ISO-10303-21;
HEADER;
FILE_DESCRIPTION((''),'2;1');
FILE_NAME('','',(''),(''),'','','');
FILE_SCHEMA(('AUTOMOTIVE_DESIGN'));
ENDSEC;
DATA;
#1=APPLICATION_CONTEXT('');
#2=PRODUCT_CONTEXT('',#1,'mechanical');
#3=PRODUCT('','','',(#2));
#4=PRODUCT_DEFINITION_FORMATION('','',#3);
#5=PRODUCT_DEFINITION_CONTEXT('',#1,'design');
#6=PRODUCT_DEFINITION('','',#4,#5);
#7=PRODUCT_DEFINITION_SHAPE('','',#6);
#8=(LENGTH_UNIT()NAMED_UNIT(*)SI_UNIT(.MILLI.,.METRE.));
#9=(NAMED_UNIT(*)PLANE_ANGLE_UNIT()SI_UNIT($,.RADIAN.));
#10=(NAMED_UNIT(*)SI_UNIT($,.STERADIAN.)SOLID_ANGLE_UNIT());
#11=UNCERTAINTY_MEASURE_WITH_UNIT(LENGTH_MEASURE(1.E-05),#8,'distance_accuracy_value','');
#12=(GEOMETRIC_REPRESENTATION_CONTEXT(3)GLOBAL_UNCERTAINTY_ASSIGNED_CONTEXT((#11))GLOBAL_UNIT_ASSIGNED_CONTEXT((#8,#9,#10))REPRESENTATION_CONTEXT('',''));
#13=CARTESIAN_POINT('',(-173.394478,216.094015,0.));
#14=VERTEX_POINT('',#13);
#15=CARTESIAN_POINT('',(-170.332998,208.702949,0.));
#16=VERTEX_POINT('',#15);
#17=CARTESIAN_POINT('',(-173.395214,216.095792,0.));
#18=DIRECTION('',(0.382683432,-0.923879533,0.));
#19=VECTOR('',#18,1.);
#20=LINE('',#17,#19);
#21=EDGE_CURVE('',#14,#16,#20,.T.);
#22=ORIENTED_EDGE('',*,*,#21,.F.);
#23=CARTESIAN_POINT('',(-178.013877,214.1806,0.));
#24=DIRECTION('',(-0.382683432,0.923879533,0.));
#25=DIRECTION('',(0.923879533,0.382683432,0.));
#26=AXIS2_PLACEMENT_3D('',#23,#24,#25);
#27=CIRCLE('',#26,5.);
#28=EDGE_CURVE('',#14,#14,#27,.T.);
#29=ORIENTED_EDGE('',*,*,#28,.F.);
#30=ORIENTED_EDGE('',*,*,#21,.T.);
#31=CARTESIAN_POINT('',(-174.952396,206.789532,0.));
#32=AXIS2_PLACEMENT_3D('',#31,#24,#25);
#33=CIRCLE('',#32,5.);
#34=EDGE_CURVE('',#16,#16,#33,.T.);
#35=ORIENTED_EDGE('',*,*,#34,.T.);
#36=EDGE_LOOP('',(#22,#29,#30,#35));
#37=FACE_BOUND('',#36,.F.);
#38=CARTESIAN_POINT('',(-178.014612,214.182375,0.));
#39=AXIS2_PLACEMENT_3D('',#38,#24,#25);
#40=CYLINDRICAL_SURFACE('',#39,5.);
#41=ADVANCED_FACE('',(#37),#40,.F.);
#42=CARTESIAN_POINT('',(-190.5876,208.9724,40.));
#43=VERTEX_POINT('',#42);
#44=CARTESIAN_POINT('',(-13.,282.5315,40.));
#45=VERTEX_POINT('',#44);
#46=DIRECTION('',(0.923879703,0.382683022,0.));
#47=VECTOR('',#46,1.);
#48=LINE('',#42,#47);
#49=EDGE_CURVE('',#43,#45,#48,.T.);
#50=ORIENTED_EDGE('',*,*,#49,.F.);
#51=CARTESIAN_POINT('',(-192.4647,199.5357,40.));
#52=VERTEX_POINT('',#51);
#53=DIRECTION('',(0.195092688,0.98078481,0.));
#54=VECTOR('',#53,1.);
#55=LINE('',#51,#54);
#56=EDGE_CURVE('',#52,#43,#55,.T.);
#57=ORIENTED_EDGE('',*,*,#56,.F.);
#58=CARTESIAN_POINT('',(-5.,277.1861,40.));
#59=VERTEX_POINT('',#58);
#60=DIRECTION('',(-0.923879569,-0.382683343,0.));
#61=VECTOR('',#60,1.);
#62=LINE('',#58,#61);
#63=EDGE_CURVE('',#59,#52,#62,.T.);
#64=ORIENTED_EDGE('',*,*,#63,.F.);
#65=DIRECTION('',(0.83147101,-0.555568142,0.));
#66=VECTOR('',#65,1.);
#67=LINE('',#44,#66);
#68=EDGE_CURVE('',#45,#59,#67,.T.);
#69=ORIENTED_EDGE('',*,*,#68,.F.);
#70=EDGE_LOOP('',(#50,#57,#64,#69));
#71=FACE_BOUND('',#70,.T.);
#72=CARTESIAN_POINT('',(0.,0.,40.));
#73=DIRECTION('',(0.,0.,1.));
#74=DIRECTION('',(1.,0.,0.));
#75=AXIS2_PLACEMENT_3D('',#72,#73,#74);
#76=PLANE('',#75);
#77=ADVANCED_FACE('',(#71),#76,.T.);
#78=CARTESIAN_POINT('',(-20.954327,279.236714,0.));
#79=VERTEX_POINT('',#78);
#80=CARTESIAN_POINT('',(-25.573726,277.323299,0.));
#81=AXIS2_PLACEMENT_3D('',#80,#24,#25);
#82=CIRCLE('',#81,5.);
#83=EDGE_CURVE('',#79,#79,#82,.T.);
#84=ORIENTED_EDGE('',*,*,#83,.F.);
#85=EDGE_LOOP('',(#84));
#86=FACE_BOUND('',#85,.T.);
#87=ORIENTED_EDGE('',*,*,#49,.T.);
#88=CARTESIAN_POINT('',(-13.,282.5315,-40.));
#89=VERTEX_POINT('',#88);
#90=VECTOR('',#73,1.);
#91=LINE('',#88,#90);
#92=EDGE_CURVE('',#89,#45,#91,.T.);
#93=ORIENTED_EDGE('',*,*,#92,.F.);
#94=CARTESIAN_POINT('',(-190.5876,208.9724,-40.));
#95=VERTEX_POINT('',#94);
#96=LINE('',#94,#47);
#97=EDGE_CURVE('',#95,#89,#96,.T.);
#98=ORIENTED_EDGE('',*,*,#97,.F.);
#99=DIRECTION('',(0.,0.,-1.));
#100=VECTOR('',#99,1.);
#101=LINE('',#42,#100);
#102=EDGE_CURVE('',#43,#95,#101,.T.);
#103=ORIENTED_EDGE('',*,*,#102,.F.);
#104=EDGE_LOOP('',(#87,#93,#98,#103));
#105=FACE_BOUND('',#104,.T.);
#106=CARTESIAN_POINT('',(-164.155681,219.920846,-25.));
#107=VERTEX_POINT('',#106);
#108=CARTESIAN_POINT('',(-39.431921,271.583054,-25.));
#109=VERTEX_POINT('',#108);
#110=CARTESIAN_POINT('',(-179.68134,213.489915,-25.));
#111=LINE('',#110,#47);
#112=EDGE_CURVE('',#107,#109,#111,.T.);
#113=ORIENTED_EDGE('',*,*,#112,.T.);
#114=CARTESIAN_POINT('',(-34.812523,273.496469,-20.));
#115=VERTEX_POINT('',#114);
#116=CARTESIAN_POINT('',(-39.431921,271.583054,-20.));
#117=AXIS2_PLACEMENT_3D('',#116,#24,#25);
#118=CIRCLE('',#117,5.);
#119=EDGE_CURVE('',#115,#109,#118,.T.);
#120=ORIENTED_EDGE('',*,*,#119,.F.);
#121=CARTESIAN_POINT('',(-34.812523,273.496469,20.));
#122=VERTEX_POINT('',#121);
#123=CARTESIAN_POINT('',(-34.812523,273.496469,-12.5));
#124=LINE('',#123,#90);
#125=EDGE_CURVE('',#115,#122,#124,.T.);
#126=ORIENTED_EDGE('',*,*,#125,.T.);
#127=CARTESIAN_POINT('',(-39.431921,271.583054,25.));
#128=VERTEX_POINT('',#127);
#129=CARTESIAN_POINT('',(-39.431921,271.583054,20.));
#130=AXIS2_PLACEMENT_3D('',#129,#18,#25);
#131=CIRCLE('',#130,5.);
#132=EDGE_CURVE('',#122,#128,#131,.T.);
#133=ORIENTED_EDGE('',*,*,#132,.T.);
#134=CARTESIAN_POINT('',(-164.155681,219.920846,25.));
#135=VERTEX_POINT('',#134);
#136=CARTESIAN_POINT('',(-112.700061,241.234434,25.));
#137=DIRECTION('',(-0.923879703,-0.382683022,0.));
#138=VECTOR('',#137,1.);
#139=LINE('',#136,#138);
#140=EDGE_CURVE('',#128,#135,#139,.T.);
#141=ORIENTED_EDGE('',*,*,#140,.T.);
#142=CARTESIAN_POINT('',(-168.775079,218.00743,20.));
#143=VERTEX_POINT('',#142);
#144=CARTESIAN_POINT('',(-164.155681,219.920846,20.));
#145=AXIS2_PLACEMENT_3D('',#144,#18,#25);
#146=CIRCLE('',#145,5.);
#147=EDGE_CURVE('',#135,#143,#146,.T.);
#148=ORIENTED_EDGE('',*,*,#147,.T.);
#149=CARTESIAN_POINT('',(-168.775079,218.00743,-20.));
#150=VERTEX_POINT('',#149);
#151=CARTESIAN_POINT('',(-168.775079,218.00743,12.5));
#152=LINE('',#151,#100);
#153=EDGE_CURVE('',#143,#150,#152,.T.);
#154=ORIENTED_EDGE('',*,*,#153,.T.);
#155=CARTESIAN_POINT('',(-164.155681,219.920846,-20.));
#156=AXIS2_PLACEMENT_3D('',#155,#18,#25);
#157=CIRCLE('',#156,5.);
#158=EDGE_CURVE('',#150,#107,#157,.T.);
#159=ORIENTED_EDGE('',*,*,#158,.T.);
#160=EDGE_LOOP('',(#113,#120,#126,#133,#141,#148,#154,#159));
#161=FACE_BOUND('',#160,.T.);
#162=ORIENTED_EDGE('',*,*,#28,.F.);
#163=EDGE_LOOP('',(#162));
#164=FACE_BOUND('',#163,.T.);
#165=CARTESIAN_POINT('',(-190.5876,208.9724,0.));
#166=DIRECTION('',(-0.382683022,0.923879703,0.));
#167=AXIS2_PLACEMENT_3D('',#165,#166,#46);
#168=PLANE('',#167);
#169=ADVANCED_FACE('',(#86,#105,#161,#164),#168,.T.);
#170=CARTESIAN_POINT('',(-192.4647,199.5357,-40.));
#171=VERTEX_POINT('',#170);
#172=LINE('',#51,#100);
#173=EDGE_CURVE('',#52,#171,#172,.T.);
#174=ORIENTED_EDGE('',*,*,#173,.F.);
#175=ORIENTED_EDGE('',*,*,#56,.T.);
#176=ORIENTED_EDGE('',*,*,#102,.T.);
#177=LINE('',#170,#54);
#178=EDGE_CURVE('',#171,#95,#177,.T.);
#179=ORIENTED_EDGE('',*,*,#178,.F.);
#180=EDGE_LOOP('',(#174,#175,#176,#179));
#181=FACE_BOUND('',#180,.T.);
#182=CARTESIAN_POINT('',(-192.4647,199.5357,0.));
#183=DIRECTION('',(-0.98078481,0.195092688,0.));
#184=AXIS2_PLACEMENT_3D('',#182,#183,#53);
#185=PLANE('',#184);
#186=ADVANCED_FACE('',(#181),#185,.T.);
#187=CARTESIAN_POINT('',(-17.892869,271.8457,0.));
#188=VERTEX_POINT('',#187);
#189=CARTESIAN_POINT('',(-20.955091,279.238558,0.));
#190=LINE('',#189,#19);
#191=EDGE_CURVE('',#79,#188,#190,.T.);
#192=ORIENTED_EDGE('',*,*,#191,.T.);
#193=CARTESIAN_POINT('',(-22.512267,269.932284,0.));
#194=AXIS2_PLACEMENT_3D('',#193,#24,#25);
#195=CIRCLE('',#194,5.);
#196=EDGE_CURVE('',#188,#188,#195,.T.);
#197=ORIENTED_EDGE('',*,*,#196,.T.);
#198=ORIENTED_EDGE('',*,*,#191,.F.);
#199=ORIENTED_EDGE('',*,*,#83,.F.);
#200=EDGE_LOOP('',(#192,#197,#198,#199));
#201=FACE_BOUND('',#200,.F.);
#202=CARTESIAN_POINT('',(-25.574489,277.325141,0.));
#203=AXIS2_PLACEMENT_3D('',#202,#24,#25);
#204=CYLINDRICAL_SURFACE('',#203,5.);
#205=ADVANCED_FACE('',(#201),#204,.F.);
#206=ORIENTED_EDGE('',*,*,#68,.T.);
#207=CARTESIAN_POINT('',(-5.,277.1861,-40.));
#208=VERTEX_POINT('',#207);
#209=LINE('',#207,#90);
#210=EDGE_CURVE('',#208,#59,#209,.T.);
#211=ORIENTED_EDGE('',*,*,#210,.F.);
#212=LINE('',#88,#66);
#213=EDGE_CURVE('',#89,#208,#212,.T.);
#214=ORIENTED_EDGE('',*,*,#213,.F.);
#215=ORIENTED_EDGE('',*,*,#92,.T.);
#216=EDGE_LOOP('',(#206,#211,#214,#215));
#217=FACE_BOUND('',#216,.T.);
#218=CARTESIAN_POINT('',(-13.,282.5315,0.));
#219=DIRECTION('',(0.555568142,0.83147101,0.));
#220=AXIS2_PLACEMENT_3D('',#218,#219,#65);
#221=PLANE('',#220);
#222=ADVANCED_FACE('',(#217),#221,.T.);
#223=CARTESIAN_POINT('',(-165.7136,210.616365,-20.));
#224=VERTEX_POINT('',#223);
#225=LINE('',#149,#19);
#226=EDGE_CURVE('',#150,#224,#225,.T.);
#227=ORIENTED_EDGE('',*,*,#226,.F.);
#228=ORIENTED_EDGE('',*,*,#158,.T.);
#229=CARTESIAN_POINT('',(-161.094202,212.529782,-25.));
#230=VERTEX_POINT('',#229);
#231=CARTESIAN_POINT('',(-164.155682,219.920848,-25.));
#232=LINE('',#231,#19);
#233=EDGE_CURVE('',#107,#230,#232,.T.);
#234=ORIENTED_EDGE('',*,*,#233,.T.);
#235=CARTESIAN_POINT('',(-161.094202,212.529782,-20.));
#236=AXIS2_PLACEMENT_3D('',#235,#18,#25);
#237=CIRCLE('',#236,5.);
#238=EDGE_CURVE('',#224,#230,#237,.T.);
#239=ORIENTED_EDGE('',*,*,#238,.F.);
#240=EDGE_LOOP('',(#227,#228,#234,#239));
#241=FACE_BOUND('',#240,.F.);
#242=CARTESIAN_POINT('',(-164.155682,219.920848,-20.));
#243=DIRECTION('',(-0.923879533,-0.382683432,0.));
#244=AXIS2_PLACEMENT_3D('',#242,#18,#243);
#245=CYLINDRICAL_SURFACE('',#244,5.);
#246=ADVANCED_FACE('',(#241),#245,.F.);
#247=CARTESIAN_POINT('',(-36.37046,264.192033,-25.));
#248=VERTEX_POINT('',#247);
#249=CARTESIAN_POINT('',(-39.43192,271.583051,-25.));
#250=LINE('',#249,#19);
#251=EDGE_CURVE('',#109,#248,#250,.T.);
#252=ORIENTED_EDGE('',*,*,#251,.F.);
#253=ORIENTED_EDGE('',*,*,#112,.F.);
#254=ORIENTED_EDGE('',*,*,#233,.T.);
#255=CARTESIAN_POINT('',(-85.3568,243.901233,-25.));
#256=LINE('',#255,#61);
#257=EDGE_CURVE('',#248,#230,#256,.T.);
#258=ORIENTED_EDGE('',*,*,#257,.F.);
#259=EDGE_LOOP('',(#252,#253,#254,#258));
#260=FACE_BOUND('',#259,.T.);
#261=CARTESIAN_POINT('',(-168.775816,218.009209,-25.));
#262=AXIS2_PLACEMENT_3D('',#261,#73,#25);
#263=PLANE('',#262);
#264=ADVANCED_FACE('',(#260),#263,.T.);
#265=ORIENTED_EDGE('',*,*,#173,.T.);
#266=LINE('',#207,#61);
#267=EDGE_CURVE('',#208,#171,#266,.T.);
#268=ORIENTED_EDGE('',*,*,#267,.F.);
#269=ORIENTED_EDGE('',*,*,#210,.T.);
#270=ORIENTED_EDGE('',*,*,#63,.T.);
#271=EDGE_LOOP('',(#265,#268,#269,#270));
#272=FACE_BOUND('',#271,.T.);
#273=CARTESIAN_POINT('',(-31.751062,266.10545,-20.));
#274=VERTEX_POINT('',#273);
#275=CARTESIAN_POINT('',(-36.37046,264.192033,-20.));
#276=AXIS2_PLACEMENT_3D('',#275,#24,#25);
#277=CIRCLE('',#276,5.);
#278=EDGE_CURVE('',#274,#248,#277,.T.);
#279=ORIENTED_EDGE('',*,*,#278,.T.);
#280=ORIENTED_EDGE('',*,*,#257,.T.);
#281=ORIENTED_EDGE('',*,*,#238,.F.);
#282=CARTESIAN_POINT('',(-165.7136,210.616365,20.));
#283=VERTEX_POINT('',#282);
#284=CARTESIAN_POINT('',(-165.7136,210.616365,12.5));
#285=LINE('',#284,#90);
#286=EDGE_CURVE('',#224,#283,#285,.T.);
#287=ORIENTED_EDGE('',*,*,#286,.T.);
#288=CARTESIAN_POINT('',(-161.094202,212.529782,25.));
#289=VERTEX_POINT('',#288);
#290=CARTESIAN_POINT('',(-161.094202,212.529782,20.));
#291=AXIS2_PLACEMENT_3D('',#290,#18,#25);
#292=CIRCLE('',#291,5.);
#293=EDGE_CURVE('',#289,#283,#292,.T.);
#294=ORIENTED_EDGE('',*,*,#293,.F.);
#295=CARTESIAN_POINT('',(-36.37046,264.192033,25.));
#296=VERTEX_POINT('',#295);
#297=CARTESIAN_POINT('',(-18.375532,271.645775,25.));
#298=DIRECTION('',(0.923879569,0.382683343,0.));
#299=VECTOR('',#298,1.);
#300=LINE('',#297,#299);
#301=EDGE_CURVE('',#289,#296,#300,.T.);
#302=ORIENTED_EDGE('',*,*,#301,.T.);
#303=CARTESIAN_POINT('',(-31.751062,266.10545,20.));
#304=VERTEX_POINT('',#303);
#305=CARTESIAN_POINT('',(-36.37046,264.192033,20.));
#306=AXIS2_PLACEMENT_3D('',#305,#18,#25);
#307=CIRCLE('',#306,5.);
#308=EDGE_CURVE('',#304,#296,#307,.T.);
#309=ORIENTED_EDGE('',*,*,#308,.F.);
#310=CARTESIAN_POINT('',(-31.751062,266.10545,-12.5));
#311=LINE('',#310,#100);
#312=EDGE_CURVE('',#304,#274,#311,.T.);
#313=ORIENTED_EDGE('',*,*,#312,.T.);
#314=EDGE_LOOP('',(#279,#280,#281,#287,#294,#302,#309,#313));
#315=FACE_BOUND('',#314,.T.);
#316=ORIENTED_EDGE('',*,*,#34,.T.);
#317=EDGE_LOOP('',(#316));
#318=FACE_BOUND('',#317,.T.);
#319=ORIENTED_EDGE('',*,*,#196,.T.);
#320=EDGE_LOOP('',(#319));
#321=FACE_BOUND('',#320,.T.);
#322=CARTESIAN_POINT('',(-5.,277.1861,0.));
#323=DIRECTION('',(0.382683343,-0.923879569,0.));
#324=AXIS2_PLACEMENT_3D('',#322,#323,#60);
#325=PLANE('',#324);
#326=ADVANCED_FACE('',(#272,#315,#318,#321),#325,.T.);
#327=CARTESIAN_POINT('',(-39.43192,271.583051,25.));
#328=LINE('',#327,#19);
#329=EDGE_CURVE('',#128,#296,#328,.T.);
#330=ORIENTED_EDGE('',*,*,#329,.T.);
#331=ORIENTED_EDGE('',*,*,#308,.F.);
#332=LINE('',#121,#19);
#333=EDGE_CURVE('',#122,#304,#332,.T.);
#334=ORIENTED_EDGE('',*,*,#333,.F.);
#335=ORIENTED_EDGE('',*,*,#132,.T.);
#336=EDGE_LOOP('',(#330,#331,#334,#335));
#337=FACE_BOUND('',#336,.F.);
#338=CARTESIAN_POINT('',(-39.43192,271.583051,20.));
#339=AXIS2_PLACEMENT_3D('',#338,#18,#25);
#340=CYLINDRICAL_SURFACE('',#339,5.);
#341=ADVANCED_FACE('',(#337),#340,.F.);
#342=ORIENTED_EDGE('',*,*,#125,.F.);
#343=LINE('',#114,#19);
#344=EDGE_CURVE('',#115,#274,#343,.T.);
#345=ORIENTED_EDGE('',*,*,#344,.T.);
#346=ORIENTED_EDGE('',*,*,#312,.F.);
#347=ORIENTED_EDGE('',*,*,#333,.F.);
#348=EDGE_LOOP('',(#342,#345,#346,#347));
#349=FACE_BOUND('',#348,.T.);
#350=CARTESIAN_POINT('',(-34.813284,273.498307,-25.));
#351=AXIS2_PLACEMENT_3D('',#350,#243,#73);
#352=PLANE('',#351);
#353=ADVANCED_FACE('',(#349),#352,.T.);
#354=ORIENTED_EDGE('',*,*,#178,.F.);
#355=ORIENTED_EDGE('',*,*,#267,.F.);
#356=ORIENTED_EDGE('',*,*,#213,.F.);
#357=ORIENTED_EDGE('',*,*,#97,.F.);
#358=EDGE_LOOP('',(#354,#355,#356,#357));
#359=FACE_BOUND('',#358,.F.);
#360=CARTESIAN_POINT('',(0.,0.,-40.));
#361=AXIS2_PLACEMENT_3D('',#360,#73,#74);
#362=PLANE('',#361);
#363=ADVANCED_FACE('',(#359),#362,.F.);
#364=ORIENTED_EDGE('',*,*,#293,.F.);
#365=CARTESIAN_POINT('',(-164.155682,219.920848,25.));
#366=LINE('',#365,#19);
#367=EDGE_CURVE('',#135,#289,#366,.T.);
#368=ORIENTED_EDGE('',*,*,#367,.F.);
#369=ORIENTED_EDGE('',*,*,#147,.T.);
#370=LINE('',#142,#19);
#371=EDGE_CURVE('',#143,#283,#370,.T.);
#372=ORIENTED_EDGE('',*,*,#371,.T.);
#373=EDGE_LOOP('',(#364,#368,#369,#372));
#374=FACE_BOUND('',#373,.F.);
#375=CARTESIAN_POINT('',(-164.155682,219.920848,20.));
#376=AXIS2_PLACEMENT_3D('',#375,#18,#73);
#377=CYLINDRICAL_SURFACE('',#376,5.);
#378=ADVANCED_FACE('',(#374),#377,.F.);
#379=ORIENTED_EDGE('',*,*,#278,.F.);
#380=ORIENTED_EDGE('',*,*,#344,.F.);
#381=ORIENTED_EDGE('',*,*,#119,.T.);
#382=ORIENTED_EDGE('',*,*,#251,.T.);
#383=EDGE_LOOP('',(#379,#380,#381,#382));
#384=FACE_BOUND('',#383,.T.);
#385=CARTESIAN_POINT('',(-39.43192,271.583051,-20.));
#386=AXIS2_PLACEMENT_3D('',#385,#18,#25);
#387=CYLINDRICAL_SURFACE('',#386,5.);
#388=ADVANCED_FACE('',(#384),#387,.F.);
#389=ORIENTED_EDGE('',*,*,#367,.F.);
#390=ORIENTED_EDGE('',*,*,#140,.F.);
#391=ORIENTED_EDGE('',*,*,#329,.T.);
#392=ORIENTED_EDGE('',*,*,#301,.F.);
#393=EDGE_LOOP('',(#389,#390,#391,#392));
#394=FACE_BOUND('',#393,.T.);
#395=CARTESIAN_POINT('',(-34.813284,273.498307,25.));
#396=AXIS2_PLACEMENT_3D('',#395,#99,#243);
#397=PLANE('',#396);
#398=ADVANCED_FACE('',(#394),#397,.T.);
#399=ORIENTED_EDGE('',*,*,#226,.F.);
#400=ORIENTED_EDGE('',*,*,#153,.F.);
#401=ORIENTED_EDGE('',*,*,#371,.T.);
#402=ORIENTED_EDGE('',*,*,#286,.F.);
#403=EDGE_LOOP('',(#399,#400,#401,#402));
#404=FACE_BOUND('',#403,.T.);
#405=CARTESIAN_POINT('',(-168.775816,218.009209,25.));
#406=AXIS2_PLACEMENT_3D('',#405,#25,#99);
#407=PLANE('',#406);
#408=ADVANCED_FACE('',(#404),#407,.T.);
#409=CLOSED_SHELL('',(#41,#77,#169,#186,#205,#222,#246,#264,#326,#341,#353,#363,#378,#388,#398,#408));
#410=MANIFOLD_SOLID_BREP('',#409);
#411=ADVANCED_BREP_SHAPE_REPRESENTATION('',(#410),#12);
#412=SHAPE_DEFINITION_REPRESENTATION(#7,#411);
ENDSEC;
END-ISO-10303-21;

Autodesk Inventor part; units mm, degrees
ref_plane "YZ Plane" through (0, 0, 0) normal (1, 0, 0) x (0, 1, 0)
ref_plane "XZ Plane" through (0, 0, 0) normal (0, 1, 0) x (-1, 0, 0)
ref_plane "XY Plane" through (0, 0, 0) normal (0, 0, 1) x (1, 0, 0)
sketch "Sketch2" plane through (0, 0, 0) normal (0, 0, 1) x (1, 0, 0)
  line L0 (0, 273.8452) -> (193.6378, 193.6378) construction
  line L1 (193.6378, 193.6378) -> (273.8452, 0) construction
  line L2 (273.8452, 0) -> (193.6378, -193.6378) construction
  line L3 (193.6378, -193.6378) -> (0, -273.8452) construction
  line L4 (0, -273.8452) -> (-193.6378, -193.6378) construction
  line L5 (-193.6378, -193.6378) -> (-273.8452, 0) construction
  line L6 (-273.8452, 0) -> (-193.6378, 193.6378) construction
  line L7 (-193.6378, 193.6378) -> (0, 273.8452) construction
  line L8 (-193.6378, 193.6378) -> (0, 273.8452) construction
  line L9 (-459.9272, 770.6562) -> (-219.7185, 870.1539) construction
  line L10 (-96.8189, 233.7415) -> (-339.8229, 820.405) construction
  line L11 (-219.7185, 870.1539) -> (0, 870.1539) construction
  line L12 (0, 870.1539) -> (0, 273.8452) construction
  line L13 (-459.9272, 770.6562) -> (-615.2917, 615.2917) construction
  line L14 (-615.2917, 615.2917) -> (-193.6378, 193.6378) construction
  line L15 (-5, 277.1861) -> (-192.4647, 199.5357) construction
  line L16 (-192.4647, 199.5357) -> (-608.2206, 615.2917) construction
  line L17 (-608.2206, 615.2917) -> (-457.095, 766.4174) construction
  line L18 (-457.095, 766.4174) -> (-218.724, 865.1539) construction
  line L19 (-218.724, 865.1539) -> (-5, 865.1539) construction
  line L20 (-5, 865.1539) -> (-5, 277.1861) construction
  line L21 (-13, 282.5315) -> (-190.5876, 208.9724) construction
  line L22 (-190.5876, 208.9724) -> (-596.9069, 615.2917) construction
  line L23 (-596.9069, 615.2917) -> (-452.5633, 759.6353) construction
  line L24 (-452.5633, 759.6353) -> (-217.1327, 857.1539) construction
  line L25 (-217.1327, 857.1539) -> (-13, 857.1539) construction
  line L26 (-13, 857.1539) -> (-13, 282.5315) construction
  line L27 (-5, 277.1861) -> (-192.4647, 199.5357)
  line L28 (-192.4647, 199.5357) -> (-190.5876, 208.9724)
  line L29 (-190.5876, 208.9724) -> (-13, 282.5315)
  line L30 (-13, 282.5315) -> (-5, 277.1861)
  point P0 (0, 0)
  point P1 (0, 0)
  point P2 (0, 0)
  dimension "d0" = 506
  dimension "d1" = 260
  dimension "d2" = 635
  dimension "d6" = 5
  dimension "d7" = 8
extrude "Extrusion1" add sketch "Sketch2" along normal mid plane 80
sketch "Sketch3" plane through (-13, 282.5315, -40) normal (-0.3827, 0.9239, 0) x (0.9239, 0.3827, 0)
  line L0 (-168.6097, -15) -> (-23.6097, -15)
  line L1 (-23.6097, -15) -> (-23.6097, -65)
  line L2 (-23.6097, -65) -> (-168.6097, -65)
  line L3 (-168.6097, -65) -> (-168.6097, -15)
  circle A0 centre (-13.6097, -40) radius 5
  circle A1 centre (-178.6097, -40) radius 5
  line L4 (0, -80) -> (-192.2194, -80) projected
  line L5 (-96.1097, -40) -> (-96.1097, -80) construction
  line L6 (5.3454, 0) -> (5.3454, -80) construction
  point P0 (-96.1097, -15)
  point P1 (-168.6097, -40)
  point P2 (-23.6097, -40)
  point P3 (5.3454, -40)
  dimension "d10" = 145
  dimension "d11" = 10
  dimension "d12" = 10
  dimension "d13" = 50
extrude "Extrusion2" cut sketch "Sketch3" against normal up to surface (8 mm away)
fillet "Fillet1" radius 5 4 edges at (-167.2443, 214.3119, -25) (-33.2818, 269.801, -25) (-33.2818, 269.801, 25) (-167.2443, 214.3119, 25)
equation "\"d0\" = Барабан_габарит_по_кассетам"
equation "\"d1\" = Кассета_длина_грани"
equation "\"d2\" = Кассета_высота"
equation "\"d10\" = Длина_окна_барабан"
equation "\"d11\" = Диам_шпильки_под_кассету"
equation "\"d13\" = Ширина_окна_барабан"
equation "\"Барабан_габарит_по_кассетам\" = 506"
equation "\"Кассета_длина_грани\" = 260"
equation "\"Кассета_высота\" = 635"
equation "\"Длина_окна_барабан\" = 145"
equation "\"Диам_шпильки_под_кассету\" = 10"
equation "\"Ширина_окна_барабан\" = 50"
properties part number "ДМС 204 Нижний лист"
